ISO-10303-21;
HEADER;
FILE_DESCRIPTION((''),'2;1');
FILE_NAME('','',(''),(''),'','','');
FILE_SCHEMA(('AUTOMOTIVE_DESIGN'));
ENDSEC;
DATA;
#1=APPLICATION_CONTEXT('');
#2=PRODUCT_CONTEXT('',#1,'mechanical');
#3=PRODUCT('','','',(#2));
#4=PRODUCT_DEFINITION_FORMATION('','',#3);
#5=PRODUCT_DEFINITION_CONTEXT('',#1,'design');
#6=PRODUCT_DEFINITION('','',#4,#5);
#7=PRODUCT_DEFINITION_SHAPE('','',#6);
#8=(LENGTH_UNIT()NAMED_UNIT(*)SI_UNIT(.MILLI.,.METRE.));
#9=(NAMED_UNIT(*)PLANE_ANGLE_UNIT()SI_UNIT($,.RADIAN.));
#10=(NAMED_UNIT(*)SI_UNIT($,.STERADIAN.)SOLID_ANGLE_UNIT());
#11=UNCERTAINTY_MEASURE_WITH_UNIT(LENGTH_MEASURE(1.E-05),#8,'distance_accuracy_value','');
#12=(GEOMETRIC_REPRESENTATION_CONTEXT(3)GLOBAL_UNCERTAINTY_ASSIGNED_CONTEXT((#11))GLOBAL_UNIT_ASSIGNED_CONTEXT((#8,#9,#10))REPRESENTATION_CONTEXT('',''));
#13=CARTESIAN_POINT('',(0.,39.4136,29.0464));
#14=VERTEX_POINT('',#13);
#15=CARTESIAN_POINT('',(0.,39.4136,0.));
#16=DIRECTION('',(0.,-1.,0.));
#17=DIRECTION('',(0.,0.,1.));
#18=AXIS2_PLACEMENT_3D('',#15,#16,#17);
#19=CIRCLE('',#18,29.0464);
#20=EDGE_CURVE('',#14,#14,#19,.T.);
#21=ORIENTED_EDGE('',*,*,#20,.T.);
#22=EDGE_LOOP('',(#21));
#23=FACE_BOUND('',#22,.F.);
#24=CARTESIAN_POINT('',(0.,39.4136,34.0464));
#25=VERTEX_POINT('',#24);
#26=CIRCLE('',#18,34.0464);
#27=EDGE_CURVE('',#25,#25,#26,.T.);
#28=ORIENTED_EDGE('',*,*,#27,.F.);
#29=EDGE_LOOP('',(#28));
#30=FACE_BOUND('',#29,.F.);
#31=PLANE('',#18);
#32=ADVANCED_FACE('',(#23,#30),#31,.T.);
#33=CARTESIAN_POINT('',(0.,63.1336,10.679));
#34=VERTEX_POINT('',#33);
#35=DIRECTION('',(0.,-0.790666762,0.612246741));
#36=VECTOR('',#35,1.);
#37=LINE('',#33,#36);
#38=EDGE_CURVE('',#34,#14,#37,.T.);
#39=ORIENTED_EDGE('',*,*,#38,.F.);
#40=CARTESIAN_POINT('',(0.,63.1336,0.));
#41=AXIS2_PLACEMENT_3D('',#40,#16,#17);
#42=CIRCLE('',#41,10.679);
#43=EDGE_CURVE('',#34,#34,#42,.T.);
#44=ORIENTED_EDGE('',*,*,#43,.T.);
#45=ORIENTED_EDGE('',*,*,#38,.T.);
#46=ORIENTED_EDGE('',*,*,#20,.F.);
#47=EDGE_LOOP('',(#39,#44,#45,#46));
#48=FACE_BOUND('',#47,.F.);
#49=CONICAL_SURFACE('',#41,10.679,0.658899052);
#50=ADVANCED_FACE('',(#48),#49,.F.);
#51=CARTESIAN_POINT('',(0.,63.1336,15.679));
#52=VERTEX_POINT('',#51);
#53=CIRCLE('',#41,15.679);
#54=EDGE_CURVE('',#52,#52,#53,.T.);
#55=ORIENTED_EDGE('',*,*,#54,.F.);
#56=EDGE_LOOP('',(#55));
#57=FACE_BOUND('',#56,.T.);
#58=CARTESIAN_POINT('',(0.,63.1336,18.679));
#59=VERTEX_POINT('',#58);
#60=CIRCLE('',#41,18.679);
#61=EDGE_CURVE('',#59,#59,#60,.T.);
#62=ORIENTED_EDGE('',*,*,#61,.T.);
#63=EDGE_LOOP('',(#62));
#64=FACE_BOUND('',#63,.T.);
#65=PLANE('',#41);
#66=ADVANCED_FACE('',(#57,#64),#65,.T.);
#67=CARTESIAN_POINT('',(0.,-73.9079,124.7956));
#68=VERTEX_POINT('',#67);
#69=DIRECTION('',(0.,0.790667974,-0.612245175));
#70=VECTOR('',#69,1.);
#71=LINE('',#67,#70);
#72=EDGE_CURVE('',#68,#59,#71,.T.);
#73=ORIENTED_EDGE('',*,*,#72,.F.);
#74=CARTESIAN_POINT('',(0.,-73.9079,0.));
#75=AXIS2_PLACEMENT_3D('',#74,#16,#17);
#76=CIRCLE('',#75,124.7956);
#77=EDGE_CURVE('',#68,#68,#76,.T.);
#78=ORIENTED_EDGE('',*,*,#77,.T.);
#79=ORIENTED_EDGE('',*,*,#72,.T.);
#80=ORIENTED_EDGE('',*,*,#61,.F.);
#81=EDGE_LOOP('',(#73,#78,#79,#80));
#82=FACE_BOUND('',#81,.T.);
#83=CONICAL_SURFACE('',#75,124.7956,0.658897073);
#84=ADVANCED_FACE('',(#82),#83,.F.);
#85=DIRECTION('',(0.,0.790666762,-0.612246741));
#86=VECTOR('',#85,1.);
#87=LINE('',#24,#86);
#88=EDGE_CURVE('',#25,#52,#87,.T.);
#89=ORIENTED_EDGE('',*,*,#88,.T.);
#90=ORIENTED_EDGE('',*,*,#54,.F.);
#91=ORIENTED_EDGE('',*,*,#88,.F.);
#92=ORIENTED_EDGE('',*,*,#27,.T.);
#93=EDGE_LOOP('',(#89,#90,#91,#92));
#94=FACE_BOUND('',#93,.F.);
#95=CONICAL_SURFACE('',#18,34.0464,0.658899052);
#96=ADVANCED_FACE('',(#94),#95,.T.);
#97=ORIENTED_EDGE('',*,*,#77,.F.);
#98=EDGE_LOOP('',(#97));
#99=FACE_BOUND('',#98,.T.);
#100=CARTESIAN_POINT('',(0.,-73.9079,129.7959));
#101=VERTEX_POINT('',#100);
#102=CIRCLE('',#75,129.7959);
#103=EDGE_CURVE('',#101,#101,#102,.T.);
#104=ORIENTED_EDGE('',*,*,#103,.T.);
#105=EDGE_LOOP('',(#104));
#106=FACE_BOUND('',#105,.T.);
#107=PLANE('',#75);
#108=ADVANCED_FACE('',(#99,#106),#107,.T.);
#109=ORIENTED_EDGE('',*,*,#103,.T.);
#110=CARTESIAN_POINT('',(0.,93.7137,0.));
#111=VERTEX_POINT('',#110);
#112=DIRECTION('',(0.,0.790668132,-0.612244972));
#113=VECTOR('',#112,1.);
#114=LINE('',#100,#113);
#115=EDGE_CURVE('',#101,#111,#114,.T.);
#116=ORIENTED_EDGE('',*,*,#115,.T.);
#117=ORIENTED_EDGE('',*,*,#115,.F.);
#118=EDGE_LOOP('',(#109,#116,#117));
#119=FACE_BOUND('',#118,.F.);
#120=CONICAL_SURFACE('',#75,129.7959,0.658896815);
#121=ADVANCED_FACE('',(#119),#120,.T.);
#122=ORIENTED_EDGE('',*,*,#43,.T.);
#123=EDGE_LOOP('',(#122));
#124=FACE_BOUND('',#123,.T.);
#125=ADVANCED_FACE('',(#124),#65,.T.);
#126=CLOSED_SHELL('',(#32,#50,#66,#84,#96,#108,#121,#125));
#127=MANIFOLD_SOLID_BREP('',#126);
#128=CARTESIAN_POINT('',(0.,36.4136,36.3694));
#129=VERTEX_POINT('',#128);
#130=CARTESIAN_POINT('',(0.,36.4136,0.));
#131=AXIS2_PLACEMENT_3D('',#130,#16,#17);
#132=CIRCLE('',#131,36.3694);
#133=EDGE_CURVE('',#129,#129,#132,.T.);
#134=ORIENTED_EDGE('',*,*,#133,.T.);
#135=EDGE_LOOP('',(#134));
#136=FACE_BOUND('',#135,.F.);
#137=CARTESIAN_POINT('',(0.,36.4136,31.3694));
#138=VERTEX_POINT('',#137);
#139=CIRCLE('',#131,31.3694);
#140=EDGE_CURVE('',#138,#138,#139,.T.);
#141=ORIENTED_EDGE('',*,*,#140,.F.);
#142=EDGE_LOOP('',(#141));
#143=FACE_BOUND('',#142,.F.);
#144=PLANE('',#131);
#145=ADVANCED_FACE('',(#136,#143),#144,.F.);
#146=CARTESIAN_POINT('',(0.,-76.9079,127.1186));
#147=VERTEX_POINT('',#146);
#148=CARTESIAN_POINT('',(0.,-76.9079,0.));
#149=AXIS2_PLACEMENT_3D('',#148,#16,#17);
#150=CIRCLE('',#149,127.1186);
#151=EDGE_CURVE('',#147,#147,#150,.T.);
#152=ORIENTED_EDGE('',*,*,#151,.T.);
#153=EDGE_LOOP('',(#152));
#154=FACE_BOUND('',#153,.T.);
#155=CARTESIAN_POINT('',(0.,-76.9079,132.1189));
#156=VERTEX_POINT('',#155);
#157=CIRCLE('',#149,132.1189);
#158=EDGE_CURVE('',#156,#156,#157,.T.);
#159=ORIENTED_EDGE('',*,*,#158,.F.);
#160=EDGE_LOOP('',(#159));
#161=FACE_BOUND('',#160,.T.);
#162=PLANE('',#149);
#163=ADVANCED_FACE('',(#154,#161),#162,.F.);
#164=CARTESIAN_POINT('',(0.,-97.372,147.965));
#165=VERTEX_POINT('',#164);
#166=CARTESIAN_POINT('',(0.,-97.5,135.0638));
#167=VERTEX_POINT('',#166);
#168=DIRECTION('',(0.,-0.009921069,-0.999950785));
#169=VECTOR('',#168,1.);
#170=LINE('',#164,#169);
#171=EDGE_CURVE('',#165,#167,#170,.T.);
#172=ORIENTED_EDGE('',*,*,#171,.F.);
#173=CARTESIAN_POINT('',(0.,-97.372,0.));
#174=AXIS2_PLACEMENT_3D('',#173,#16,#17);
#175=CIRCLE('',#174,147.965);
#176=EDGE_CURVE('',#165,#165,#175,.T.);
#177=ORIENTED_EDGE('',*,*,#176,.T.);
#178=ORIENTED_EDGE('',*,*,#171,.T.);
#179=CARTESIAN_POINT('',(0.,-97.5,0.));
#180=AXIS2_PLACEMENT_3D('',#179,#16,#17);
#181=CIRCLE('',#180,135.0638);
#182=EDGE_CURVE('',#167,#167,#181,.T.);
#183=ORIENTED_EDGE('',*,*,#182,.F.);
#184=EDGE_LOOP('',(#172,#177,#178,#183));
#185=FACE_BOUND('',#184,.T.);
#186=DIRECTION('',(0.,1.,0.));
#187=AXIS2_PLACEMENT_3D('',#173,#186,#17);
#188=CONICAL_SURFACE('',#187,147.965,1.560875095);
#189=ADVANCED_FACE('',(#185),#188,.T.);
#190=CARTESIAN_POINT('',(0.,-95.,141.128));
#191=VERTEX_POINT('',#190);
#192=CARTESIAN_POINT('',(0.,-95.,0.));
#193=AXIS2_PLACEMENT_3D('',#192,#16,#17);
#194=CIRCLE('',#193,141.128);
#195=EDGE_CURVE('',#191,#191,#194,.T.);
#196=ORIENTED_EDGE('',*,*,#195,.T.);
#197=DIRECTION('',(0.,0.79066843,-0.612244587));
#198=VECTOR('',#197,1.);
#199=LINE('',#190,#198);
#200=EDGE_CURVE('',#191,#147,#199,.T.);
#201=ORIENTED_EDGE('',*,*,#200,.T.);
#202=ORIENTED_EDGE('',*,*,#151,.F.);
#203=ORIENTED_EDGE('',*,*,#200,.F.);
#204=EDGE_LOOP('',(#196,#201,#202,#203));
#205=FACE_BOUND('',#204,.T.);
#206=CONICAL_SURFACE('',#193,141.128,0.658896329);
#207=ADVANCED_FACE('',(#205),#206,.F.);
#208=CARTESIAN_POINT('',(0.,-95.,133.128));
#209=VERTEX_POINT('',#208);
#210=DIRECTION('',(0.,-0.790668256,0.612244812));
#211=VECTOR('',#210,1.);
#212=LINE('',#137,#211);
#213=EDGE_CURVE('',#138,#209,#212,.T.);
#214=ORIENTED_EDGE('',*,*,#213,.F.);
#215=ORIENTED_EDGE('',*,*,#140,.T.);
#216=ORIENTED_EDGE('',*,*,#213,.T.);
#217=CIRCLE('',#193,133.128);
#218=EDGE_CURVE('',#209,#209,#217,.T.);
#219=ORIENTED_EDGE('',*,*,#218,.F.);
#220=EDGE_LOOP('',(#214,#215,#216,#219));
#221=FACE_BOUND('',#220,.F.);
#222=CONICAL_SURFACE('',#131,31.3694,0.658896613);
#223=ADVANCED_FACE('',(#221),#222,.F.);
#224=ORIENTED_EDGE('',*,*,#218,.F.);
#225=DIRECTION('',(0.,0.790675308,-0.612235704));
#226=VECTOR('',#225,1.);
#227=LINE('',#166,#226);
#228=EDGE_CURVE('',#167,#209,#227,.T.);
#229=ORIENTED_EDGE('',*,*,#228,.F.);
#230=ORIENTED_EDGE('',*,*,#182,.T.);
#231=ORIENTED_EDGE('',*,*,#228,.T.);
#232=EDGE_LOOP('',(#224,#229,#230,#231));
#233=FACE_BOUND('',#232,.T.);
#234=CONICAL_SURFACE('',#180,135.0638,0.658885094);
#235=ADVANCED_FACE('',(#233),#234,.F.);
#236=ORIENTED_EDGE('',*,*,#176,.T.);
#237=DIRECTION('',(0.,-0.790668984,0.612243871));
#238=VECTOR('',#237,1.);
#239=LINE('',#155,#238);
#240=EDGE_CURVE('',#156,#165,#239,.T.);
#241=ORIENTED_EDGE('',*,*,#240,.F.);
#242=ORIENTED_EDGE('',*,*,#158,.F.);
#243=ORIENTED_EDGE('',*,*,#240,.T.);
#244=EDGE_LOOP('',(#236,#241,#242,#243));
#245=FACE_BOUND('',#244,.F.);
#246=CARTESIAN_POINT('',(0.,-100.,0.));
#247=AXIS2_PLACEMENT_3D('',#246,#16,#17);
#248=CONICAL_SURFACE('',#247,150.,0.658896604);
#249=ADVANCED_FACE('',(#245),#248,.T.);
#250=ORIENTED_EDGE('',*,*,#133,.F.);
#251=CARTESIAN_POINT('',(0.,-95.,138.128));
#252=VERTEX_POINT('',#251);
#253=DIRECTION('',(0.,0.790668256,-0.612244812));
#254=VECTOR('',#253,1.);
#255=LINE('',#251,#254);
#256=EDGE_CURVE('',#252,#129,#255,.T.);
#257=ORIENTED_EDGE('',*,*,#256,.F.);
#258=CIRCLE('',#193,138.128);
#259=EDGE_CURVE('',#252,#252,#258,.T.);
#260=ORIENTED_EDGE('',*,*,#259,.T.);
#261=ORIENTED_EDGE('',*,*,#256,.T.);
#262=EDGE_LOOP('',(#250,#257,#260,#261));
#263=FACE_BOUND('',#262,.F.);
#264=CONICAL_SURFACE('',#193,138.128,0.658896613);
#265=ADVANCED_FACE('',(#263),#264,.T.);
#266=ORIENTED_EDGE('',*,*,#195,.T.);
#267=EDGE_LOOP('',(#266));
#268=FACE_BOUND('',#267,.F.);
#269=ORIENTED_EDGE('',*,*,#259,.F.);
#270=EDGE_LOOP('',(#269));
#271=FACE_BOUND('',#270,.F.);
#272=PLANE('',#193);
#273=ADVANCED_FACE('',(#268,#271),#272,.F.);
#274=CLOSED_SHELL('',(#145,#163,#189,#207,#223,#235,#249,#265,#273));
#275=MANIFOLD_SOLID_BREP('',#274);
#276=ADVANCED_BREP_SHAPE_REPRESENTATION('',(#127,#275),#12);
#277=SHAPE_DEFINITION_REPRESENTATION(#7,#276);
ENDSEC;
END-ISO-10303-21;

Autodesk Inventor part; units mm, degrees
ref_plane "YZ Plane" through (0, 0, 0) normal (1, 0, 0) x (0, 1, 0)
ref_plane "XZ Plane" through (0, 0, 0) normal (0, 1, 0) x (-1, 0, 0)
ref_plane "XY Plane" through (0, 0, 0) normal (0, 0, 1) x (1, 0, 0)
sketch "Sketch1" plane through (0, 0, 0) normal (1, 0, 0) x (0, 1, 0)
  line L0 (0, 0) -> (150, 0)
  line L1 (150, 0) -> (-150, 0)
  line L2 (0, 0) -> (-100, 0)
  line L3 (-100, 0) -> (-100, 150)
  line L4 (-100, 0) -> (-95, 0)
  line L5 (63.1336, 18.679) -> (63.1336, 0)
  line L6 (-95, 141.128) -> (-95, 138.128)
  line L7 (63.1336, 15.679) -> (63.1336, 10.679)
  line L8 (63.1336, 10.679) -> (39.4136, 29.0464)
  line L9 (-100, 150) -> (-76.9079, 132.1189)
  line L10 (-73.9079, 129.7959) -> (93.7137, 0)
  line L11 (-95, 141.128) -> (-76.9079, 127.1186)
  line L12 (-73.9079, 124.7956) -> (63.1336, 18.679)
  line L13 (-73.9079, 129.7959) -> (-73.9079, 124.7956)
  line L14 (-76.9079, 129.7959) -> (-76.9079, 127.1186)
  line L15 (-76.9079, 127.1186) -> (-76.9079, 132.1189)
  line L16 (-95, 138.128) -> (36.4136, 36.3694)
  line L17 (39.4136, 34.0464) -> (63.1336, 15.679)
  line L18 (36.4136, 36.3694) -> (36.4136, 31.3694)
  line L19 (39.4136, 29.0464) -> (39.4136, 34.0464)
  line L20 (39.4136, 29.0464) -> (39.4136, 34.0464)
  line L21 (63.1336, 10.679) -> (39.4136, 29.0464)
  line L22 (36.4136, 31.3694) -> (-95, 133.128)
  line L23 (-95, 141.128) -> (-95, 146.1283)
  line L24 (-100, 150) -> (-95, 146.1283)
  line L25 (-95, 146.1283) -> (-96.8631, 147.571)
  line L26 (-95, 146.1283) -> (-97.372, 147.965)
  line L27 (-97.372, 147.965) -> (-97.5, 135.0638)
  line L28 (-97.5, 135.0638) -> (-95, 133.128)
  line L29 (-95, 141.128) -> (-95, 138.128)
  line L30 (-95, 141.128) -> (-95, 138.128)
  line L31 (-95, 0) -> (-95, 133.128)
  line L32 (-95, 138.128) -> (-95, 141.128)
  dimension "d0" = 150
  dimension "d1" = 300
  dimension "d2" = 100
  dimension "d3" = 150
  dimension "d4" = 245
  dimension "d5" = 5
  dimension "d6" = 141.128
  dimension "d7" = 200
  dimension "d8" = 3
  dimension "d9" = 5
  dimension "d12" = 30
  dimension "d15" = 3
ref_plane "Work Plane1" through (0, 93.7137, 0) normal (0, 1, 0) x (-1, 0, 0)
ref_plane "Work Plane2" through (0, 93.7137, 0) normal (1, 0, 0) x (0, -0.7907, 0.6122)
revolve "Revolution1" add sketch "Sketch1" angle 360 about axis through (0, 0, 0) along (0, -1, 0) contours L5 L12 L13 L10 L0 | L8 L19 L17 L5 | L28 L27 L9 L23 L6 L16 L18 L22 | L9 L15 L14 L11 L23
properties part number "Tree Model-Om Mihani"
